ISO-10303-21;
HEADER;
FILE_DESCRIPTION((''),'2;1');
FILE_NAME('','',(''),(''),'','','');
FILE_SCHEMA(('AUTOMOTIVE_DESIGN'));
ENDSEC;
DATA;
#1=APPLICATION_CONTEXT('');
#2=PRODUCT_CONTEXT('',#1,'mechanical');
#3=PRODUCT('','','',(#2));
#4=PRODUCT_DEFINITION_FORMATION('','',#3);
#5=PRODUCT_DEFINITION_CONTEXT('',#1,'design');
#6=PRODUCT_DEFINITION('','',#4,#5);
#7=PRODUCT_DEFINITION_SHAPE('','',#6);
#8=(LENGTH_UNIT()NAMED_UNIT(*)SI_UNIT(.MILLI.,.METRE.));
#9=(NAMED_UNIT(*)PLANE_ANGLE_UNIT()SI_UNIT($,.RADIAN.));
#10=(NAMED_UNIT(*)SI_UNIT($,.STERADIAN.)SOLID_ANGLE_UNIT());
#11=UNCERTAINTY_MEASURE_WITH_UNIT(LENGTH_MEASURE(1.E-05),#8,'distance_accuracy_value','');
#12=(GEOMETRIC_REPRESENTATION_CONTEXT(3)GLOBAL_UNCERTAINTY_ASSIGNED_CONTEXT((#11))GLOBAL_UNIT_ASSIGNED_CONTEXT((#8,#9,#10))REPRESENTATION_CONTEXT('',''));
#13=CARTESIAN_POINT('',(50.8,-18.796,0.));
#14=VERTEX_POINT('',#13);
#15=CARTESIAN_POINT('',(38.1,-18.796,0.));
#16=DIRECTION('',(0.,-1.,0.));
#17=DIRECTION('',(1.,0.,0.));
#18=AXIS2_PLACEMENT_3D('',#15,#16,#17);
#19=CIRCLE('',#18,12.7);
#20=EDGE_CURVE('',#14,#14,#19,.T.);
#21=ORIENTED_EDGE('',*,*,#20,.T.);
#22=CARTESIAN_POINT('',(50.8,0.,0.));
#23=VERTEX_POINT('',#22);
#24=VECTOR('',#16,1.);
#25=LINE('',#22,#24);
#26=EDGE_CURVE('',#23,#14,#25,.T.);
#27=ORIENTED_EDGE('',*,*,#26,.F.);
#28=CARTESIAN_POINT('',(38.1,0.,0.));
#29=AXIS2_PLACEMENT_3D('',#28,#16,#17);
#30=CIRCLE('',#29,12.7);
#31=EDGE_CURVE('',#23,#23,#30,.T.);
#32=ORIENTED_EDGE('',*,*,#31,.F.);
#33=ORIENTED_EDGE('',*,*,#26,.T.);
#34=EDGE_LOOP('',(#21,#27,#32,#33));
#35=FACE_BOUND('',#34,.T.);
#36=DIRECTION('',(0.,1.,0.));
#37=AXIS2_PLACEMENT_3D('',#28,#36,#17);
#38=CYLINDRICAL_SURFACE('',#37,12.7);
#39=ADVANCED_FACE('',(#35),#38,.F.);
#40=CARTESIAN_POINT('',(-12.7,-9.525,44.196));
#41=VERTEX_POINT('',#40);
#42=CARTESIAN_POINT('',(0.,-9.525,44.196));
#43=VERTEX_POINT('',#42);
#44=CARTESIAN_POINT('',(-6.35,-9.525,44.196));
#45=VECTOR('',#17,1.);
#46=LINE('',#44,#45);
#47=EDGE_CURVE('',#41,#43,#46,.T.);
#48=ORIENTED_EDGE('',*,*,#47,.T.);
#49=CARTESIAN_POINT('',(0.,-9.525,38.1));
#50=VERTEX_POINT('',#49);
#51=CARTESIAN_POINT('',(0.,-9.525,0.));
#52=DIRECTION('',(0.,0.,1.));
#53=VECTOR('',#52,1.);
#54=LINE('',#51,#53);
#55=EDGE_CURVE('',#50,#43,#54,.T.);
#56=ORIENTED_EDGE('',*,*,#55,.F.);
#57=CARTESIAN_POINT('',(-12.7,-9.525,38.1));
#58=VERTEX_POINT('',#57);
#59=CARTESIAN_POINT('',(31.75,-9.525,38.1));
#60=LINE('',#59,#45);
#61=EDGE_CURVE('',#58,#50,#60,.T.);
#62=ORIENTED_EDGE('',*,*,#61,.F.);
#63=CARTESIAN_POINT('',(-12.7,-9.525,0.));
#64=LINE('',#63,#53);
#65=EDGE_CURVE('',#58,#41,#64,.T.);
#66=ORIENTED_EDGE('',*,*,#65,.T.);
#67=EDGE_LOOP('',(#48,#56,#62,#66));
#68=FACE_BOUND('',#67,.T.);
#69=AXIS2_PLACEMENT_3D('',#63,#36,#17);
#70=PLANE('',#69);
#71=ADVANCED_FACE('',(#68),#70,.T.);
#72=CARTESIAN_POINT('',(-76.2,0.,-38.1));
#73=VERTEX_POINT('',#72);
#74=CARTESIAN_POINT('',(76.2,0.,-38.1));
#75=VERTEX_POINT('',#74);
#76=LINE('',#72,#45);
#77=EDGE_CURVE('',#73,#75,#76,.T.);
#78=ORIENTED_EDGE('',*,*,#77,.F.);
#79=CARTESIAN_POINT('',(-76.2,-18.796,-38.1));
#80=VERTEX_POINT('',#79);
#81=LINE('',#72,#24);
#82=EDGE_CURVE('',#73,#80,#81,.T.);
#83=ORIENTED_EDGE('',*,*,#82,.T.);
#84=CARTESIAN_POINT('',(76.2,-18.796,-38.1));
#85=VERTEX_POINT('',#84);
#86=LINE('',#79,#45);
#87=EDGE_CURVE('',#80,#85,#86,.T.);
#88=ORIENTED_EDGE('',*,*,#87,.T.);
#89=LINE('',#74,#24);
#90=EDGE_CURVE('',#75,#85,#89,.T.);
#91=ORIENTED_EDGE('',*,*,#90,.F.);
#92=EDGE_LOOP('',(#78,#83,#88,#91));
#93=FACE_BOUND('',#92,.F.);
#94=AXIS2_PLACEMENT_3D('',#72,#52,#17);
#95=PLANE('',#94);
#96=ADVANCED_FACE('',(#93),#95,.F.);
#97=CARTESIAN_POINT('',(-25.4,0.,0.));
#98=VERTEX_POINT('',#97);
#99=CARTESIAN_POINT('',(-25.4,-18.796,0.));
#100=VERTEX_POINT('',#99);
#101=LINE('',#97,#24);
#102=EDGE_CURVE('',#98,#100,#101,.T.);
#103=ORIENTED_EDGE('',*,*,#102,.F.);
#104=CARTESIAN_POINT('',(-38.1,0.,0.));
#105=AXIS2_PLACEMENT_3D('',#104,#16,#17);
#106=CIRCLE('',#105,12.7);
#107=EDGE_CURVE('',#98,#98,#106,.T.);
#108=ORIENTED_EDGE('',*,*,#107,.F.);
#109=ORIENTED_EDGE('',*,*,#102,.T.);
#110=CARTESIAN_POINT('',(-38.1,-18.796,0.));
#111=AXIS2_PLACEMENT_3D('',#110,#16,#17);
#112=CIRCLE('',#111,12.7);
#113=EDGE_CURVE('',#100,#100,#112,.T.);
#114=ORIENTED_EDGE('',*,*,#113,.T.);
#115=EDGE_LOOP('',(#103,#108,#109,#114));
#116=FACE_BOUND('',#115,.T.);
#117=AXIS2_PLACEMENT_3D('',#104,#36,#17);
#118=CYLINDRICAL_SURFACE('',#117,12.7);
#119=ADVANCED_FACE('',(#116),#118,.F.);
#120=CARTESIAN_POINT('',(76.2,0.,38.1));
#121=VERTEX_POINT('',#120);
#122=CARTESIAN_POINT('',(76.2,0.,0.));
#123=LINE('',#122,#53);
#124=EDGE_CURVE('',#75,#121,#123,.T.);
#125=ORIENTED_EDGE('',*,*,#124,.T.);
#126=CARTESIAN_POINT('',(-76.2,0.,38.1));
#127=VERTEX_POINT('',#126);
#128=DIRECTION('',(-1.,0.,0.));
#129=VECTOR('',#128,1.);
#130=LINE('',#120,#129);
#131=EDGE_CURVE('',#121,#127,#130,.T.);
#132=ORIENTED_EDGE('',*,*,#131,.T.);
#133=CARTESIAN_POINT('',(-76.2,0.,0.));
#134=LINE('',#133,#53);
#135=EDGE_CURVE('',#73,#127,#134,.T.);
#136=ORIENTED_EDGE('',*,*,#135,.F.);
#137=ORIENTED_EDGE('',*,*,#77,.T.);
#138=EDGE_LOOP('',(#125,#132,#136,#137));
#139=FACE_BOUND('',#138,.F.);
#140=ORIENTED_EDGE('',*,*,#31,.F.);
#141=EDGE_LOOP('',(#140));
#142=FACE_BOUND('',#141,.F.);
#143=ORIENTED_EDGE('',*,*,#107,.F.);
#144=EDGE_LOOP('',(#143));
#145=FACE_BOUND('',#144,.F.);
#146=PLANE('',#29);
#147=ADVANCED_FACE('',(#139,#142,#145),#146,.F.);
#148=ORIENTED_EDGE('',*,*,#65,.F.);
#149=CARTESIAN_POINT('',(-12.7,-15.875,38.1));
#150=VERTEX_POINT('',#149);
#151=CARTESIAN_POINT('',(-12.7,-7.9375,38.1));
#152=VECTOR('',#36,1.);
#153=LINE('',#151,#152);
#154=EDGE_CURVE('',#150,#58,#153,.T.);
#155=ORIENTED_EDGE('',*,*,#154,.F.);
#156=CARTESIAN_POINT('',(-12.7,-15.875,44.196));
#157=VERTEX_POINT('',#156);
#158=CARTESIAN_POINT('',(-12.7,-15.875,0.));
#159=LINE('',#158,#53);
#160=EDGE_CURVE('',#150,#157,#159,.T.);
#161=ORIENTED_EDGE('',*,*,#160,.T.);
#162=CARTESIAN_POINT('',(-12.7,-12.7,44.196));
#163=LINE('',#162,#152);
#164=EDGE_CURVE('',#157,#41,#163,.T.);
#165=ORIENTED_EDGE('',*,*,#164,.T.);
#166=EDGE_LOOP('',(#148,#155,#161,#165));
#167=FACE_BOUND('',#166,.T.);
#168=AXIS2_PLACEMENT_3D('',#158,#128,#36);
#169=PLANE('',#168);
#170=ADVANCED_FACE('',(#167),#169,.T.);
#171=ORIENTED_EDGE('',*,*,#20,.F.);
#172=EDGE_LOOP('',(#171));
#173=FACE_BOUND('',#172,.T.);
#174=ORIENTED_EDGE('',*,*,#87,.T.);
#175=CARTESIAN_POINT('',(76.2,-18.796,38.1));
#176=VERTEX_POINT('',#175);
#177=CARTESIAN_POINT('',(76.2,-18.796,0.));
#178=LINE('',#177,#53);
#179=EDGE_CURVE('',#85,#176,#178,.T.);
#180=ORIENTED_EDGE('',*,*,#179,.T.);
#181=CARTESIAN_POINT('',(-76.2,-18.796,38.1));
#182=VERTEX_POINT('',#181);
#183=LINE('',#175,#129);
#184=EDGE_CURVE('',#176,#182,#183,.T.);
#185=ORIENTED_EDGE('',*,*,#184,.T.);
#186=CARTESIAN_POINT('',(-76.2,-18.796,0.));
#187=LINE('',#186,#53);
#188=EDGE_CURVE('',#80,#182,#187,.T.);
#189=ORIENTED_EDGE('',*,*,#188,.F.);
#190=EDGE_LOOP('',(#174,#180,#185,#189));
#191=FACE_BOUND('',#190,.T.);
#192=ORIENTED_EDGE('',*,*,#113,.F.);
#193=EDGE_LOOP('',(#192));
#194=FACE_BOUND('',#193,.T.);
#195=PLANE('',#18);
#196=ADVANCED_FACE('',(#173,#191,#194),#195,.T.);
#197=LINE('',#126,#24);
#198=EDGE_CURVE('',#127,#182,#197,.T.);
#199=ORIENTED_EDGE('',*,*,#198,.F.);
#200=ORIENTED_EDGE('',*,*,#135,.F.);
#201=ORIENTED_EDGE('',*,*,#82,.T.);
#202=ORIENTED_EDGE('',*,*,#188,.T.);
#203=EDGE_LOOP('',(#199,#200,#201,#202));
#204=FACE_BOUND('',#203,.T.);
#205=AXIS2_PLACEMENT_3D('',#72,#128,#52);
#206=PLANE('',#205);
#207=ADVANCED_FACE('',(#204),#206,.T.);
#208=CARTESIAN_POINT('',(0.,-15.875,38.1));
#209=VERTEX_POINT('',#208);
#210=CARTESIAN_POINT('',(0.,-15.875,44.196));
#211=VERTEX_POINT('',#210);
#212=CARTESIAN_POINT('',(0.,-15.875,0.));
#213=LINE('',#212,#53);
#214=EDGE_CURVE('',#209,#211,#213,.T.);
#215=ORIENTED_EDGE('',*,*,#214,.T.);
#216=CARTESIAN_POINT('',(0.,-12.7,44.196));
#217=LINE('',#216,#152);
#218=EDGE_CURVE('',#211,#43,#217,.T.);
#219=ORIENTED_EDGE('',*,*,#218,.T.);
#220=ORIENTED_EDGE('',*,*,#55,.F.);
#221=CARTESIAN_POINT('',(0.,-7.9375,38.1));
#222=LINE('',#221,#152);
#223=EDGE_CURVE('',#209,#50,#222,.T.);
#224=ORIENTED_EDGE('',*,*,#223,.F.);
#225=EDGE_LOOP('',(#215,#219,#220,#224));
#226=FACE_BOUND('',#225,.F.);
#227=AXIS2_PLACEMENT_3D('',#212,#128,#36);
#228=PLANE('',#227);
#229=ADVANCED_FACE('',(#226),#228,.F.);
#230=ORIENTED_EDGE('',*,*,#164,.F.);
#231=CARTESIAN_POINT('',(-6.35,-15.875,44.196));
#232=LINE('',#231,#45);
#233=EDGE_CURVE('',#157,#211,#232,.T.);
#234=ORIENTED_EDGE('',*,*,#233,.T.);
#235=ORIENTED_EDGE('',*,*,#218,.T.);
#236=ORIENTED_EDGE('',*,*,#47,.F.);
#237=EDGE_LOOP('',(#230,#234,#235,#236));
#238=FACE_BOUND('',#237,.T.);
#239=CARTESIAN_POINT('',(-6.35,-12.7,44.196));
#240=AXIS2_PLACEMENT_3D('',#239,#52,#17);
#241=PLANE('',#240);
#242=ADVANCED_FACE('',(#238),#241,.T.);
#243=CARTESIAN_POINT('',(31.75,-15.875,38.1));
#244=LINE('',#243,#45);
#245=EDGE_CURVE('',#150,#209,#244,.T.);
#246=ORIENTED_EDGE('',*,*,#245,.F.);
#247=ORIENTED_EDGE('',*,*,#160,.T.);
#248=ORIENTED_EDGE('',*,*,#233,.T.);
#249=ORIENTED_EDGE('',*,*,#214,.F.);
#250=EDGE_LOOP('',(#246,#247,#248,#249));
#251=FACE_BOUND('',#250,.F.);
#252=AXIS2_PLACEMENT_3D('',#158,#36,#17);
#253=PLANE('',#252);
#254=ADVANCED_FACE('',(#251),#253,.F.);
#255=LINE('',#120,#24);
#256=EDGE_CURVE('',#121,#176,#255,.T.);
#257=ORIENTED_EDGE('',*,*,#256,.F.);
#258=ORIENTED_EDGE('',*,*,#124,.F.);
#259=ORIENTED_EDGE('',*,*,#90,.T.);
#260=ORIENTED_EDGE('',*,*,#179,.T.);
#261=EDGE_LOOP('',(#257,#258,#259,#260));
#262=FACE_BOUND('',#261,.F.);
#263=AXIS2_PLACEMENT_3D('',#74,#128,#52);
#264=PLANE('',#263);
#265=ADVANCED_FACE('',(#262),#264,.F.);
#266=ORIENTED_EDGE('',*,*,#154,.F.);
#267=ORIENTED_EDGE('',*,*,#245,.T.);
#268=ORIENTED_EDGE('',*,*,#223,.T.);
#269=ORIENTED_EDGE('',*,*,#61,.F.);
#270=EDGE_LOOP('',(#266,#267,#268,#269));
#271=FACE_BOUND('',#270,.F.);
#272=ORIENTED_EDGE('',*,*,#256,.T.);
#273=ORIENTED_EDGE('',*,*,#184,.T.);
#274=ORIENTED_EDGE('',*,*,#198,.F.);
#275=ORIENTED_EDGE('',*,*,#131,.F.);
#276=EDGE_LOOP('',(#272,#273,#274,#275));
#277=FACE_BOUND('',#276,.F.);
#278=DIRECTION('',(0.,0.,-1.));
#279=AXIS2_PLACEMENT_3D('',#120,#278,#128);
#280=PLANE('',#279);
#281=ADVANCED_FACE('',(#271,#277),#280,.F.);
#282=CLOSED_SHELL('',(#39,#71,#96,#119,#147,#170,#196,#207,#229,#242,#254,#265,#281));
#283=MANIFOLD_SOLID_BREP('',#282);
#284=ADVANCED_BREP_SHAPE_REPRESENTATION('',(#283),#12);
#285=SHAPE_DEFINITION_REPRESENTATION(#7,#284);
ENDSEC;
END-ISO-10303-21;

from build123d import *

# Parameters (mm, degrees)
F0_W     = 76.2
F0_H     = 76.2
F0_R     = 12.7
F2_DEPTH = 18.796
F1_W     = 12.7
F1_H     = 6.35
F3_DEPTH = 44.196


with BuildPart() as f2:
    # F0 (on Front) → F2 (new body)
    with BuildSketch(Plane.XZ):
        with Locations((38.1, 0)):
            Rectangle(F0_W, F0_H)
        with Locations((38.1, 0)):
            Circle(F0_R, mode=Mode.SUBTRACT)
        with Locations((-38.1, 0)):
            Rectangle(F0_W, F0_H)
        with Locations((-38.1, 0)):
            Circle(F0_R, mode=Mode.SUBTRACT)
    extrude(amount=F2_DEPTH)

    # F1 (on Top) → F3 (join)
    with BuildSketch(Plane.XY):
        with Locations((-6.35, -12.7)):
            Rectangle(F1_W, F1_H)
    extrude(amount=F3_DEPTH)


solid = f2.part
